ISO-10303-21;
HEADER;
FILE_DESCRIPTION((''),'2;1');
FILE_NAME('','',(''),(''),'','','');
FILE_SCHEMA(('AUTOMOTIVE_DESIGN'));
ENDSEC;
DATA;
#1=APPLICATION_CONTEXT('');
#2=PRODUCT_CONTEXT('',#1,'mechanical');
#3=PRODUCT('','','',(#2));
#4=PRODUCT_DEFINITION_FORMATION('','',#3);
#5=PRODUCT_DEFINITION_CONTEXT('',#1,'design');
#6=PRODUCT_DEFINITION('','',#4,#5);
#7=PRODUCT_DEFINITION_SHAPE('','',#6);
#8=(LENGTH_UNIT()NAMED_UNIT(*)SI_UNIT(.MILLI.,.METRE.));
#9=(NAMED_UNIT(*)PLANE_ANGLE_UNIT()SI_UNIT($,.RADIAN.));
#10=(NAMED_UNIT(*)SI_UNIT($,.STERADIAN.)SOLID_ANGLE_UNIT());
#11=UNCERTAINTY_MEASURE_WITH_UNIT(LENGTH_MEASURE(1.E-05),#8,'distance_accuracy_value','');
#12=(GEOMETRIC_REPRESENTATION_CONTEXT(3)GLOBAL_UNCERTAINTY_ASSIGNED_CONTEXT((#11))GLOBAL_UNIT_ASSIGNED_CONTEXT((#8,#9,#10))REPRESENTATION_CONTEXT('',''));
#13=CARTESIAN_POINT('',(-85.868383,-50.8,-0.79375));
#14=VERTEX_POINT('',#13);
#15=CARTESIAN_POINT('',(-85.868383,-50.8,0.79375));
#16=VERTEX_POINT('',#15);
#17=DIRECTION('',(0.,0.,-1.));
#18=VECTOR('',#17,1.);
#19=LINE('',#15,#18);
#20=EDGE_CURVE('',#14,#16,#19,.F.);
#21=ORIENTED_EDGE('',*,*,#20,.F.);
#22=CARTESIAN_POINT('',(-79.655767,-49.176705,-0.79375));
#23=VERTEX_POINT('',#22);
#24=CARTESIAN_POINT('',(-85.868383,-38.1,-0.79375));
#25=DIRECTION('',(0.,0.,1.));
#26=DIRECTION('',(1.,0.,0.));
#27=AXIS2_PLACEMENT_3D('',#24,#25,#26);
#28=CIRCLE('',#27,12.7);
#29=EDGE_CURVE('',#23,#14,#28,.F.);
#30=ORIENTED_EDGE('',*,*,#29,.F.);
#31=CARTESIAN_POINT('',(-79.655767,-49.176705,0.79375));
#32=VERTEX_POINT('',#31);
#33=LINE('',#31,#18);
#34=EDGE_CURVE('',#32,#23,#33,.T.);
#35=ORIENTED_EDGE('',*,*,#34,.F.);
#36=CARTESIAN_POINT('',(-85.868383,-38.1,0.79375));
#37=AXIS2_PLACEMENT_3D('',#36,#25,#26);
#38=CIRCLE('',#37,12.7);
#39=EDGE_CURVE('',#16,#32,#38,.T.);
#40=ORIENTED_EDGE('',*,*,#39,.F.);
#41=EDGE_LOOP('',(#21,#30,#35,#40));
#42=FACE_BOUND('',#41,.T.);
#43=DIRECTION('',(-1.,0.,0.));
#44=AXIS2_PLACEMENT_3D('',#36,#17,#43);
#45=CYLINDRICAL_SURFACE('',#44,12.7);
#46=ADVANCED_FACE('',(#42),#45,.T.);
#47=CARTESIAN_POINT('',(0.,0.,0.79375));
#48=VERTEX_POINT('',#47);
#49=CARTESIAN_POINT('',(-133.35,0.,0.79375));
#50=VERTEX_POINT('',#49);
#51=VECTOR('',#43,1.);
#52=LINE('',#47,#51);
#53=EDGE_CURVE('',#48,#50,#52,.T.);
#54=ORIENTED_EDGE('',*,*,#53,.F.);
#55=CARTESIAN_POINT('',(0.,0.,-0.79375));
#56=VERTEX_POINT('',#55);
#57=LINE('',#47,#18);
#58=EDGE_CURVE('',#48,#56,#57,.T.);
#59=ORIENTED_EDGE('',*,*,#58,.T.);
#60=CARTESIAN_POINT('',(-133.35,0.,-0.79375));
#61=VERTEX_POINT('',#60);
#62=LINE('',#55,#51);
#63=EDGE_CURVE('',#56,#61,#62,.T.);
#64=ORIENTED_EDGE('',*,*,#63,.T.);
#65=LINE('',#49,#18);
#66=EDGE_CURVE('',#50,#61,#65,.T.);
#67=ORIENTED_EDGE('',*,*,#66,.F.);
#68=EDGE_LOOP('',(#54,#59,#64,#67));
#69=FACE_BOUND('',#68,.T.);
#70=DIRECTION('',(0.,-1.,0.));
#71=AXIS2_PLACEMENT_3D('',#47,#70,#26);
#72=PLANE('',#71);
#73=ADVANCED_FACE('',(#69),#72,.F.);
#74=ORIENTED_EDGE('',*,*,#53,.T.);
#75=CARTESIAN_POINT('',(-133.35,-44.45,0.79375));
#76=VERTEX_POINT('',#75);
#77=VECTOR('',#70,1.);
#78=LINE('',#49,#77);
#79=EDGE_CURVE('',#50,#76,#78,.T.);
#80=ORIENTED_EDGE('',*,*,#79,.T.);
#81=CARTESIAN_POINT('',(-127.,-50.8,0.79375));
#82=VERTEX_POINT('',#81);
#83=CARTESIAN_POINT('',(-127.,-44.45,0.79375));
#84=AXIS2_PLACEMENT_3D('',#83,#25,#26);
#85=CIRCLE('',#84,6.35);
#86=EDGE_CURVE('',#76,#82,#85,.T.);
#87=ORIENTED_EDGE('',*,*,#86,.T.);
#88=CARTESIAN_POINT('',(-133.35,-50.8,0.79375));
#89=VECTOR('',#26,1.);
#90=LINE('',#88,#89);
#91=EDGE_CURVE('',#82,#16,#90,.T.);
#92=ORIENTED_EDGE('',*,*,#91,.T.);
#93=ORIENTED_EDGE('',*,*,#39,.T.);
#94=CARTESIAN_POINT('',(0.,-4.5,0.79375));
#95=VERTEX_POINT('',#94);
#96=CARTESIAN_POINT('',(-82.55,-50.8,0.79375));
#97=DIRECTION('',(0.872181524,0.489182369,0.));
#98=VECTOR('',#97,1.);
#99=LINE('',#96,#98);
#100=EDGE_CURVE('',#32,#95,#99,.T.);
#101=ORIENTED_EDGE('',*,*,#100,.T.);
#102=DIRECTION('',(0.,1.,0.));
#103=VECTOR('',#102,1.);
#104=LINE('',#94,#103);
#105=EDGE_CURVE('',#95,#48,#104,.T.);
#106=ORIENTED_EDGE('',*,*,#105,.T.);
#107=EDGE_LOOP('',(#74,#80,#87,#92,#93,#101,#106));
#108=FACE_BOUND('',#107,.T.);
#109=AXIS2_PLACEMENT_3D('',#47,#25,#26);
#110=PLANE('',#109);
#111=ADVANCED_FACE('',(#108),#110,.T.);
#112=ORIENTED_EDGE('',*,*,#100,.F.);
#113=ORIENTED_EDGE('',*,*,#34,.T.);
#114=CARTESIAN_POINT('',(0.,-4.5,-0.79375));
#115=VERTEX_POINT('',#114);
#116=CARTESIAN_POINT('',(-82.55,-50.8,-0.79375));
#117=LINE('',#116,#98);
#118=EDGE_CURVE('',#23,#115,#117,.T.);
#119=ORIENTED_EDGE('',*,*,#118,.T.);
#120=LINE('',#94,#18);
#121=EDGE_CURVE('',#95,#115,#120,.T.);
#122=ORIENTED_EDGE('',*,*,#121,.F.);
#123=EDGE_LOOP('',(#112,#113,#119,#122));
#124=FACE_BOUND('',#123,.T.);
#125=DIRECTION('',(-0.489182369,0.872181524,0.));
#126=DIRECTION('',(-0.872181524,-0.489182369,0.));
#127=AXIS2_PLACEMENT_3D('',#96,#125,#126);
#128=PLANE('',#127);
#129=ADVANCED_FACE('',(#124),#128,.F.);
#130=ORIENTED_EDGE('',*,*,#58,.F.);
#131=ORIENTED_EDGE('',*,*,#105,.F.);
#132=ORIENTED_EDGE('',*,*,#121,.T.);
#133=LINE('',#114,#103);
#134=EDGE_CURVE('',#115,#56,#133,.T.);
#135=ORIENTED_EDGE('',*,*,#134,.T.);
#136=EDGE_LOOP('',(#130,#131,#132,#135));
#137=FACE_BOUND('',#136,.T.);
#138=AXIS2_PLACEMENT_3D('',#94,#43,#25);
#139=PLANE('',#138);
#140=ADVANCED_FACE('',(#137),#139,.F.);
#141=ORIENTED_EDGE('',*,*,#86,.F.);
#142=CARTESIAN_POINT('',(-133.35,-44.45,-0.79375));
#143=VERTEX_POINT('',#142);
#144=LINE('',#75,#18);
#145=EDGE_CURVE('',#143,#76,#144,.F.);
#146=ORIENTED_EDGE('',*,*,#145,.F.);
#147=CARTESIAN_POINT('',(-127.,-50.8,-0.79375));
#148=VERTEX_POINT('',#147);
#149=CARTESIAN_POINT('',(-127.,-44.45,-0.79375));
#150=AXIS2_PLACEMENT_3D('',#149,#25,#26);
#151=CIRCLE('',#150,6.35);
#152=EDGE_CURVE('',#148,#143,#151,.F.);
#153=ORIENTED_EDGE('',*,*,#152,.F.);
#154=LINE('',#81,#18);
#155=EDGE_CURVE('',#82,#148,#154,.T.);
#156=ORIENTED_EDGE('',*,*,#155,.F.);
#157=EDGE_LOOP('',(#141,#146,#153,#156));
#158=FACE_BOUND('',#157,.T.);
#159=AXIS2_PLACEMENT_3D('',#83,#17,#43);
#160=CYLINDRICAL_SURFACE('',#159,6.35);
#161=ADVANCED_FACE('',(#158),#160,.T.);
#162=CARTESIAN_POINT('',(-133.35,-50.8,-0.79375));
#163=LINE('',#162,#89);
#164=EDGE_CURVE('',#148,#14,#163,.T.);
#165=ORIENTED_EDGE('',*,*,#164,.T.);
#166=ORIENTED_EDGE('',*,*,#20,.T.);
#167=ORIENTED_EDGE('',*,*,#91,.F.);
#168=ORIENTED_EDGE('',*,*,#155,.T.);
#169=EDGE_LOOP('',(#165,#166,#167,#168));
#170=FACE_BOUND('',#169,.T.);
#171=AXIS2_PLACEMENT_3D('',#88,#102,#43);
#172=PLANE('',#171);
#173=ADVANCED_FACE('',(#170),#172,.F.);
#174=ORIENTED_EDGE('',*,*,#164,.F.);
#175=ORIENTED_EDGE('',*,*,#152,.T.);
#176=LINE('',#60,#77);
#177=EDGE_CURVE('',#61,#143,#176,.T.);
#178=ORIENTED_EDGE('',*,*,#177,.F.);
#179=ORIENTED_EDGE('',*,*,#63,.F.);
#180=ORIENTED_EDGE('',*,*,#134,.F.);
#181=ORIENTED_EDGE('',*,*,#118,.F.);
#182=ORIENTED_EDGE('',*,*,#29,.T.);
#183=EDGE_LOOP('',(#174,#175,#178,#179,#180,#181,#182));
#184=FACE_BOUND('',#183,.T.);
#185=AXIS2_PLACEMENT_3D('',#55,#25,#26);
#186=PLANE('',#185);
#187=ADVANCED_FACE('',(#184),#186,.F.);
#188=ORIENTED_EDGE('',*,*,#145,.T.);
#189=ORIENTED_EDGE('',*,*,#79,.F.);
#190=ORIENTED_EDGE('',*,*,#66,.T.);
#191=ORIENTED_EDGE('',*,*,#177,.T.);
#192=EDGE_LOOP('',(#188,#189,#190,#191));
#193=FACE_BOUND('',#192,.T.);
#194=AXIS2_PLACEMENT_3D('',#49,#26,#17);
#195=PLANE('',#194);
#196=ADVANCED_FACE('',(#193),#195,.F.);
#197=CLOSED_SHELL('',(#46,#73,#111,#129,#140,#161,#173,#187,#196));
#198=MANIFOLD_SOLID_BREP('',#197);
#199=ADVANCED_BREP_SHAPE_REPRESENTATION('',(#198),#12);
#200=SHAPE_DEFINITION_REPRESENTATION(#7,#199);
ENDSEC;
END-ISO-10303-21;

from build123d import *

# Parameters (mm, degrees)
BOSS_EXTRUDE1_DEPTH = 0.79375
FILLET1_R           = 6.35
FILLET2_R           = 12.7


with BuildPart() as part:
    # Sketch1 → Boss-Extrude1 (new, symmetric)
    with BuildSketch(Plane.XY):
        Polygon((0, 0), (-133.35, 0), (-133.35, -50.8), (-82.55, -50.8), (0, -4.5), align=None)
    extrude(amount=BOSS_EXTRUDE1_DEPTH, both=True)

    # Fillet1
    fillet1_edges = [part.edges().sort_by_distance(p)[0] for p in [
        (-133.35, -50.8, 0),
    ]]
    fillet(fillet1_edges, radius=FILLET1_R)

    # Fillet2
    fillet2_edges = [part.edges().sort_by_distance(p)[0] for p in [
        (-82.55, -50.8, 0),
    ]]
    fillet(fillet2_edges, radius=FILLET2_R)


solid = part.part
